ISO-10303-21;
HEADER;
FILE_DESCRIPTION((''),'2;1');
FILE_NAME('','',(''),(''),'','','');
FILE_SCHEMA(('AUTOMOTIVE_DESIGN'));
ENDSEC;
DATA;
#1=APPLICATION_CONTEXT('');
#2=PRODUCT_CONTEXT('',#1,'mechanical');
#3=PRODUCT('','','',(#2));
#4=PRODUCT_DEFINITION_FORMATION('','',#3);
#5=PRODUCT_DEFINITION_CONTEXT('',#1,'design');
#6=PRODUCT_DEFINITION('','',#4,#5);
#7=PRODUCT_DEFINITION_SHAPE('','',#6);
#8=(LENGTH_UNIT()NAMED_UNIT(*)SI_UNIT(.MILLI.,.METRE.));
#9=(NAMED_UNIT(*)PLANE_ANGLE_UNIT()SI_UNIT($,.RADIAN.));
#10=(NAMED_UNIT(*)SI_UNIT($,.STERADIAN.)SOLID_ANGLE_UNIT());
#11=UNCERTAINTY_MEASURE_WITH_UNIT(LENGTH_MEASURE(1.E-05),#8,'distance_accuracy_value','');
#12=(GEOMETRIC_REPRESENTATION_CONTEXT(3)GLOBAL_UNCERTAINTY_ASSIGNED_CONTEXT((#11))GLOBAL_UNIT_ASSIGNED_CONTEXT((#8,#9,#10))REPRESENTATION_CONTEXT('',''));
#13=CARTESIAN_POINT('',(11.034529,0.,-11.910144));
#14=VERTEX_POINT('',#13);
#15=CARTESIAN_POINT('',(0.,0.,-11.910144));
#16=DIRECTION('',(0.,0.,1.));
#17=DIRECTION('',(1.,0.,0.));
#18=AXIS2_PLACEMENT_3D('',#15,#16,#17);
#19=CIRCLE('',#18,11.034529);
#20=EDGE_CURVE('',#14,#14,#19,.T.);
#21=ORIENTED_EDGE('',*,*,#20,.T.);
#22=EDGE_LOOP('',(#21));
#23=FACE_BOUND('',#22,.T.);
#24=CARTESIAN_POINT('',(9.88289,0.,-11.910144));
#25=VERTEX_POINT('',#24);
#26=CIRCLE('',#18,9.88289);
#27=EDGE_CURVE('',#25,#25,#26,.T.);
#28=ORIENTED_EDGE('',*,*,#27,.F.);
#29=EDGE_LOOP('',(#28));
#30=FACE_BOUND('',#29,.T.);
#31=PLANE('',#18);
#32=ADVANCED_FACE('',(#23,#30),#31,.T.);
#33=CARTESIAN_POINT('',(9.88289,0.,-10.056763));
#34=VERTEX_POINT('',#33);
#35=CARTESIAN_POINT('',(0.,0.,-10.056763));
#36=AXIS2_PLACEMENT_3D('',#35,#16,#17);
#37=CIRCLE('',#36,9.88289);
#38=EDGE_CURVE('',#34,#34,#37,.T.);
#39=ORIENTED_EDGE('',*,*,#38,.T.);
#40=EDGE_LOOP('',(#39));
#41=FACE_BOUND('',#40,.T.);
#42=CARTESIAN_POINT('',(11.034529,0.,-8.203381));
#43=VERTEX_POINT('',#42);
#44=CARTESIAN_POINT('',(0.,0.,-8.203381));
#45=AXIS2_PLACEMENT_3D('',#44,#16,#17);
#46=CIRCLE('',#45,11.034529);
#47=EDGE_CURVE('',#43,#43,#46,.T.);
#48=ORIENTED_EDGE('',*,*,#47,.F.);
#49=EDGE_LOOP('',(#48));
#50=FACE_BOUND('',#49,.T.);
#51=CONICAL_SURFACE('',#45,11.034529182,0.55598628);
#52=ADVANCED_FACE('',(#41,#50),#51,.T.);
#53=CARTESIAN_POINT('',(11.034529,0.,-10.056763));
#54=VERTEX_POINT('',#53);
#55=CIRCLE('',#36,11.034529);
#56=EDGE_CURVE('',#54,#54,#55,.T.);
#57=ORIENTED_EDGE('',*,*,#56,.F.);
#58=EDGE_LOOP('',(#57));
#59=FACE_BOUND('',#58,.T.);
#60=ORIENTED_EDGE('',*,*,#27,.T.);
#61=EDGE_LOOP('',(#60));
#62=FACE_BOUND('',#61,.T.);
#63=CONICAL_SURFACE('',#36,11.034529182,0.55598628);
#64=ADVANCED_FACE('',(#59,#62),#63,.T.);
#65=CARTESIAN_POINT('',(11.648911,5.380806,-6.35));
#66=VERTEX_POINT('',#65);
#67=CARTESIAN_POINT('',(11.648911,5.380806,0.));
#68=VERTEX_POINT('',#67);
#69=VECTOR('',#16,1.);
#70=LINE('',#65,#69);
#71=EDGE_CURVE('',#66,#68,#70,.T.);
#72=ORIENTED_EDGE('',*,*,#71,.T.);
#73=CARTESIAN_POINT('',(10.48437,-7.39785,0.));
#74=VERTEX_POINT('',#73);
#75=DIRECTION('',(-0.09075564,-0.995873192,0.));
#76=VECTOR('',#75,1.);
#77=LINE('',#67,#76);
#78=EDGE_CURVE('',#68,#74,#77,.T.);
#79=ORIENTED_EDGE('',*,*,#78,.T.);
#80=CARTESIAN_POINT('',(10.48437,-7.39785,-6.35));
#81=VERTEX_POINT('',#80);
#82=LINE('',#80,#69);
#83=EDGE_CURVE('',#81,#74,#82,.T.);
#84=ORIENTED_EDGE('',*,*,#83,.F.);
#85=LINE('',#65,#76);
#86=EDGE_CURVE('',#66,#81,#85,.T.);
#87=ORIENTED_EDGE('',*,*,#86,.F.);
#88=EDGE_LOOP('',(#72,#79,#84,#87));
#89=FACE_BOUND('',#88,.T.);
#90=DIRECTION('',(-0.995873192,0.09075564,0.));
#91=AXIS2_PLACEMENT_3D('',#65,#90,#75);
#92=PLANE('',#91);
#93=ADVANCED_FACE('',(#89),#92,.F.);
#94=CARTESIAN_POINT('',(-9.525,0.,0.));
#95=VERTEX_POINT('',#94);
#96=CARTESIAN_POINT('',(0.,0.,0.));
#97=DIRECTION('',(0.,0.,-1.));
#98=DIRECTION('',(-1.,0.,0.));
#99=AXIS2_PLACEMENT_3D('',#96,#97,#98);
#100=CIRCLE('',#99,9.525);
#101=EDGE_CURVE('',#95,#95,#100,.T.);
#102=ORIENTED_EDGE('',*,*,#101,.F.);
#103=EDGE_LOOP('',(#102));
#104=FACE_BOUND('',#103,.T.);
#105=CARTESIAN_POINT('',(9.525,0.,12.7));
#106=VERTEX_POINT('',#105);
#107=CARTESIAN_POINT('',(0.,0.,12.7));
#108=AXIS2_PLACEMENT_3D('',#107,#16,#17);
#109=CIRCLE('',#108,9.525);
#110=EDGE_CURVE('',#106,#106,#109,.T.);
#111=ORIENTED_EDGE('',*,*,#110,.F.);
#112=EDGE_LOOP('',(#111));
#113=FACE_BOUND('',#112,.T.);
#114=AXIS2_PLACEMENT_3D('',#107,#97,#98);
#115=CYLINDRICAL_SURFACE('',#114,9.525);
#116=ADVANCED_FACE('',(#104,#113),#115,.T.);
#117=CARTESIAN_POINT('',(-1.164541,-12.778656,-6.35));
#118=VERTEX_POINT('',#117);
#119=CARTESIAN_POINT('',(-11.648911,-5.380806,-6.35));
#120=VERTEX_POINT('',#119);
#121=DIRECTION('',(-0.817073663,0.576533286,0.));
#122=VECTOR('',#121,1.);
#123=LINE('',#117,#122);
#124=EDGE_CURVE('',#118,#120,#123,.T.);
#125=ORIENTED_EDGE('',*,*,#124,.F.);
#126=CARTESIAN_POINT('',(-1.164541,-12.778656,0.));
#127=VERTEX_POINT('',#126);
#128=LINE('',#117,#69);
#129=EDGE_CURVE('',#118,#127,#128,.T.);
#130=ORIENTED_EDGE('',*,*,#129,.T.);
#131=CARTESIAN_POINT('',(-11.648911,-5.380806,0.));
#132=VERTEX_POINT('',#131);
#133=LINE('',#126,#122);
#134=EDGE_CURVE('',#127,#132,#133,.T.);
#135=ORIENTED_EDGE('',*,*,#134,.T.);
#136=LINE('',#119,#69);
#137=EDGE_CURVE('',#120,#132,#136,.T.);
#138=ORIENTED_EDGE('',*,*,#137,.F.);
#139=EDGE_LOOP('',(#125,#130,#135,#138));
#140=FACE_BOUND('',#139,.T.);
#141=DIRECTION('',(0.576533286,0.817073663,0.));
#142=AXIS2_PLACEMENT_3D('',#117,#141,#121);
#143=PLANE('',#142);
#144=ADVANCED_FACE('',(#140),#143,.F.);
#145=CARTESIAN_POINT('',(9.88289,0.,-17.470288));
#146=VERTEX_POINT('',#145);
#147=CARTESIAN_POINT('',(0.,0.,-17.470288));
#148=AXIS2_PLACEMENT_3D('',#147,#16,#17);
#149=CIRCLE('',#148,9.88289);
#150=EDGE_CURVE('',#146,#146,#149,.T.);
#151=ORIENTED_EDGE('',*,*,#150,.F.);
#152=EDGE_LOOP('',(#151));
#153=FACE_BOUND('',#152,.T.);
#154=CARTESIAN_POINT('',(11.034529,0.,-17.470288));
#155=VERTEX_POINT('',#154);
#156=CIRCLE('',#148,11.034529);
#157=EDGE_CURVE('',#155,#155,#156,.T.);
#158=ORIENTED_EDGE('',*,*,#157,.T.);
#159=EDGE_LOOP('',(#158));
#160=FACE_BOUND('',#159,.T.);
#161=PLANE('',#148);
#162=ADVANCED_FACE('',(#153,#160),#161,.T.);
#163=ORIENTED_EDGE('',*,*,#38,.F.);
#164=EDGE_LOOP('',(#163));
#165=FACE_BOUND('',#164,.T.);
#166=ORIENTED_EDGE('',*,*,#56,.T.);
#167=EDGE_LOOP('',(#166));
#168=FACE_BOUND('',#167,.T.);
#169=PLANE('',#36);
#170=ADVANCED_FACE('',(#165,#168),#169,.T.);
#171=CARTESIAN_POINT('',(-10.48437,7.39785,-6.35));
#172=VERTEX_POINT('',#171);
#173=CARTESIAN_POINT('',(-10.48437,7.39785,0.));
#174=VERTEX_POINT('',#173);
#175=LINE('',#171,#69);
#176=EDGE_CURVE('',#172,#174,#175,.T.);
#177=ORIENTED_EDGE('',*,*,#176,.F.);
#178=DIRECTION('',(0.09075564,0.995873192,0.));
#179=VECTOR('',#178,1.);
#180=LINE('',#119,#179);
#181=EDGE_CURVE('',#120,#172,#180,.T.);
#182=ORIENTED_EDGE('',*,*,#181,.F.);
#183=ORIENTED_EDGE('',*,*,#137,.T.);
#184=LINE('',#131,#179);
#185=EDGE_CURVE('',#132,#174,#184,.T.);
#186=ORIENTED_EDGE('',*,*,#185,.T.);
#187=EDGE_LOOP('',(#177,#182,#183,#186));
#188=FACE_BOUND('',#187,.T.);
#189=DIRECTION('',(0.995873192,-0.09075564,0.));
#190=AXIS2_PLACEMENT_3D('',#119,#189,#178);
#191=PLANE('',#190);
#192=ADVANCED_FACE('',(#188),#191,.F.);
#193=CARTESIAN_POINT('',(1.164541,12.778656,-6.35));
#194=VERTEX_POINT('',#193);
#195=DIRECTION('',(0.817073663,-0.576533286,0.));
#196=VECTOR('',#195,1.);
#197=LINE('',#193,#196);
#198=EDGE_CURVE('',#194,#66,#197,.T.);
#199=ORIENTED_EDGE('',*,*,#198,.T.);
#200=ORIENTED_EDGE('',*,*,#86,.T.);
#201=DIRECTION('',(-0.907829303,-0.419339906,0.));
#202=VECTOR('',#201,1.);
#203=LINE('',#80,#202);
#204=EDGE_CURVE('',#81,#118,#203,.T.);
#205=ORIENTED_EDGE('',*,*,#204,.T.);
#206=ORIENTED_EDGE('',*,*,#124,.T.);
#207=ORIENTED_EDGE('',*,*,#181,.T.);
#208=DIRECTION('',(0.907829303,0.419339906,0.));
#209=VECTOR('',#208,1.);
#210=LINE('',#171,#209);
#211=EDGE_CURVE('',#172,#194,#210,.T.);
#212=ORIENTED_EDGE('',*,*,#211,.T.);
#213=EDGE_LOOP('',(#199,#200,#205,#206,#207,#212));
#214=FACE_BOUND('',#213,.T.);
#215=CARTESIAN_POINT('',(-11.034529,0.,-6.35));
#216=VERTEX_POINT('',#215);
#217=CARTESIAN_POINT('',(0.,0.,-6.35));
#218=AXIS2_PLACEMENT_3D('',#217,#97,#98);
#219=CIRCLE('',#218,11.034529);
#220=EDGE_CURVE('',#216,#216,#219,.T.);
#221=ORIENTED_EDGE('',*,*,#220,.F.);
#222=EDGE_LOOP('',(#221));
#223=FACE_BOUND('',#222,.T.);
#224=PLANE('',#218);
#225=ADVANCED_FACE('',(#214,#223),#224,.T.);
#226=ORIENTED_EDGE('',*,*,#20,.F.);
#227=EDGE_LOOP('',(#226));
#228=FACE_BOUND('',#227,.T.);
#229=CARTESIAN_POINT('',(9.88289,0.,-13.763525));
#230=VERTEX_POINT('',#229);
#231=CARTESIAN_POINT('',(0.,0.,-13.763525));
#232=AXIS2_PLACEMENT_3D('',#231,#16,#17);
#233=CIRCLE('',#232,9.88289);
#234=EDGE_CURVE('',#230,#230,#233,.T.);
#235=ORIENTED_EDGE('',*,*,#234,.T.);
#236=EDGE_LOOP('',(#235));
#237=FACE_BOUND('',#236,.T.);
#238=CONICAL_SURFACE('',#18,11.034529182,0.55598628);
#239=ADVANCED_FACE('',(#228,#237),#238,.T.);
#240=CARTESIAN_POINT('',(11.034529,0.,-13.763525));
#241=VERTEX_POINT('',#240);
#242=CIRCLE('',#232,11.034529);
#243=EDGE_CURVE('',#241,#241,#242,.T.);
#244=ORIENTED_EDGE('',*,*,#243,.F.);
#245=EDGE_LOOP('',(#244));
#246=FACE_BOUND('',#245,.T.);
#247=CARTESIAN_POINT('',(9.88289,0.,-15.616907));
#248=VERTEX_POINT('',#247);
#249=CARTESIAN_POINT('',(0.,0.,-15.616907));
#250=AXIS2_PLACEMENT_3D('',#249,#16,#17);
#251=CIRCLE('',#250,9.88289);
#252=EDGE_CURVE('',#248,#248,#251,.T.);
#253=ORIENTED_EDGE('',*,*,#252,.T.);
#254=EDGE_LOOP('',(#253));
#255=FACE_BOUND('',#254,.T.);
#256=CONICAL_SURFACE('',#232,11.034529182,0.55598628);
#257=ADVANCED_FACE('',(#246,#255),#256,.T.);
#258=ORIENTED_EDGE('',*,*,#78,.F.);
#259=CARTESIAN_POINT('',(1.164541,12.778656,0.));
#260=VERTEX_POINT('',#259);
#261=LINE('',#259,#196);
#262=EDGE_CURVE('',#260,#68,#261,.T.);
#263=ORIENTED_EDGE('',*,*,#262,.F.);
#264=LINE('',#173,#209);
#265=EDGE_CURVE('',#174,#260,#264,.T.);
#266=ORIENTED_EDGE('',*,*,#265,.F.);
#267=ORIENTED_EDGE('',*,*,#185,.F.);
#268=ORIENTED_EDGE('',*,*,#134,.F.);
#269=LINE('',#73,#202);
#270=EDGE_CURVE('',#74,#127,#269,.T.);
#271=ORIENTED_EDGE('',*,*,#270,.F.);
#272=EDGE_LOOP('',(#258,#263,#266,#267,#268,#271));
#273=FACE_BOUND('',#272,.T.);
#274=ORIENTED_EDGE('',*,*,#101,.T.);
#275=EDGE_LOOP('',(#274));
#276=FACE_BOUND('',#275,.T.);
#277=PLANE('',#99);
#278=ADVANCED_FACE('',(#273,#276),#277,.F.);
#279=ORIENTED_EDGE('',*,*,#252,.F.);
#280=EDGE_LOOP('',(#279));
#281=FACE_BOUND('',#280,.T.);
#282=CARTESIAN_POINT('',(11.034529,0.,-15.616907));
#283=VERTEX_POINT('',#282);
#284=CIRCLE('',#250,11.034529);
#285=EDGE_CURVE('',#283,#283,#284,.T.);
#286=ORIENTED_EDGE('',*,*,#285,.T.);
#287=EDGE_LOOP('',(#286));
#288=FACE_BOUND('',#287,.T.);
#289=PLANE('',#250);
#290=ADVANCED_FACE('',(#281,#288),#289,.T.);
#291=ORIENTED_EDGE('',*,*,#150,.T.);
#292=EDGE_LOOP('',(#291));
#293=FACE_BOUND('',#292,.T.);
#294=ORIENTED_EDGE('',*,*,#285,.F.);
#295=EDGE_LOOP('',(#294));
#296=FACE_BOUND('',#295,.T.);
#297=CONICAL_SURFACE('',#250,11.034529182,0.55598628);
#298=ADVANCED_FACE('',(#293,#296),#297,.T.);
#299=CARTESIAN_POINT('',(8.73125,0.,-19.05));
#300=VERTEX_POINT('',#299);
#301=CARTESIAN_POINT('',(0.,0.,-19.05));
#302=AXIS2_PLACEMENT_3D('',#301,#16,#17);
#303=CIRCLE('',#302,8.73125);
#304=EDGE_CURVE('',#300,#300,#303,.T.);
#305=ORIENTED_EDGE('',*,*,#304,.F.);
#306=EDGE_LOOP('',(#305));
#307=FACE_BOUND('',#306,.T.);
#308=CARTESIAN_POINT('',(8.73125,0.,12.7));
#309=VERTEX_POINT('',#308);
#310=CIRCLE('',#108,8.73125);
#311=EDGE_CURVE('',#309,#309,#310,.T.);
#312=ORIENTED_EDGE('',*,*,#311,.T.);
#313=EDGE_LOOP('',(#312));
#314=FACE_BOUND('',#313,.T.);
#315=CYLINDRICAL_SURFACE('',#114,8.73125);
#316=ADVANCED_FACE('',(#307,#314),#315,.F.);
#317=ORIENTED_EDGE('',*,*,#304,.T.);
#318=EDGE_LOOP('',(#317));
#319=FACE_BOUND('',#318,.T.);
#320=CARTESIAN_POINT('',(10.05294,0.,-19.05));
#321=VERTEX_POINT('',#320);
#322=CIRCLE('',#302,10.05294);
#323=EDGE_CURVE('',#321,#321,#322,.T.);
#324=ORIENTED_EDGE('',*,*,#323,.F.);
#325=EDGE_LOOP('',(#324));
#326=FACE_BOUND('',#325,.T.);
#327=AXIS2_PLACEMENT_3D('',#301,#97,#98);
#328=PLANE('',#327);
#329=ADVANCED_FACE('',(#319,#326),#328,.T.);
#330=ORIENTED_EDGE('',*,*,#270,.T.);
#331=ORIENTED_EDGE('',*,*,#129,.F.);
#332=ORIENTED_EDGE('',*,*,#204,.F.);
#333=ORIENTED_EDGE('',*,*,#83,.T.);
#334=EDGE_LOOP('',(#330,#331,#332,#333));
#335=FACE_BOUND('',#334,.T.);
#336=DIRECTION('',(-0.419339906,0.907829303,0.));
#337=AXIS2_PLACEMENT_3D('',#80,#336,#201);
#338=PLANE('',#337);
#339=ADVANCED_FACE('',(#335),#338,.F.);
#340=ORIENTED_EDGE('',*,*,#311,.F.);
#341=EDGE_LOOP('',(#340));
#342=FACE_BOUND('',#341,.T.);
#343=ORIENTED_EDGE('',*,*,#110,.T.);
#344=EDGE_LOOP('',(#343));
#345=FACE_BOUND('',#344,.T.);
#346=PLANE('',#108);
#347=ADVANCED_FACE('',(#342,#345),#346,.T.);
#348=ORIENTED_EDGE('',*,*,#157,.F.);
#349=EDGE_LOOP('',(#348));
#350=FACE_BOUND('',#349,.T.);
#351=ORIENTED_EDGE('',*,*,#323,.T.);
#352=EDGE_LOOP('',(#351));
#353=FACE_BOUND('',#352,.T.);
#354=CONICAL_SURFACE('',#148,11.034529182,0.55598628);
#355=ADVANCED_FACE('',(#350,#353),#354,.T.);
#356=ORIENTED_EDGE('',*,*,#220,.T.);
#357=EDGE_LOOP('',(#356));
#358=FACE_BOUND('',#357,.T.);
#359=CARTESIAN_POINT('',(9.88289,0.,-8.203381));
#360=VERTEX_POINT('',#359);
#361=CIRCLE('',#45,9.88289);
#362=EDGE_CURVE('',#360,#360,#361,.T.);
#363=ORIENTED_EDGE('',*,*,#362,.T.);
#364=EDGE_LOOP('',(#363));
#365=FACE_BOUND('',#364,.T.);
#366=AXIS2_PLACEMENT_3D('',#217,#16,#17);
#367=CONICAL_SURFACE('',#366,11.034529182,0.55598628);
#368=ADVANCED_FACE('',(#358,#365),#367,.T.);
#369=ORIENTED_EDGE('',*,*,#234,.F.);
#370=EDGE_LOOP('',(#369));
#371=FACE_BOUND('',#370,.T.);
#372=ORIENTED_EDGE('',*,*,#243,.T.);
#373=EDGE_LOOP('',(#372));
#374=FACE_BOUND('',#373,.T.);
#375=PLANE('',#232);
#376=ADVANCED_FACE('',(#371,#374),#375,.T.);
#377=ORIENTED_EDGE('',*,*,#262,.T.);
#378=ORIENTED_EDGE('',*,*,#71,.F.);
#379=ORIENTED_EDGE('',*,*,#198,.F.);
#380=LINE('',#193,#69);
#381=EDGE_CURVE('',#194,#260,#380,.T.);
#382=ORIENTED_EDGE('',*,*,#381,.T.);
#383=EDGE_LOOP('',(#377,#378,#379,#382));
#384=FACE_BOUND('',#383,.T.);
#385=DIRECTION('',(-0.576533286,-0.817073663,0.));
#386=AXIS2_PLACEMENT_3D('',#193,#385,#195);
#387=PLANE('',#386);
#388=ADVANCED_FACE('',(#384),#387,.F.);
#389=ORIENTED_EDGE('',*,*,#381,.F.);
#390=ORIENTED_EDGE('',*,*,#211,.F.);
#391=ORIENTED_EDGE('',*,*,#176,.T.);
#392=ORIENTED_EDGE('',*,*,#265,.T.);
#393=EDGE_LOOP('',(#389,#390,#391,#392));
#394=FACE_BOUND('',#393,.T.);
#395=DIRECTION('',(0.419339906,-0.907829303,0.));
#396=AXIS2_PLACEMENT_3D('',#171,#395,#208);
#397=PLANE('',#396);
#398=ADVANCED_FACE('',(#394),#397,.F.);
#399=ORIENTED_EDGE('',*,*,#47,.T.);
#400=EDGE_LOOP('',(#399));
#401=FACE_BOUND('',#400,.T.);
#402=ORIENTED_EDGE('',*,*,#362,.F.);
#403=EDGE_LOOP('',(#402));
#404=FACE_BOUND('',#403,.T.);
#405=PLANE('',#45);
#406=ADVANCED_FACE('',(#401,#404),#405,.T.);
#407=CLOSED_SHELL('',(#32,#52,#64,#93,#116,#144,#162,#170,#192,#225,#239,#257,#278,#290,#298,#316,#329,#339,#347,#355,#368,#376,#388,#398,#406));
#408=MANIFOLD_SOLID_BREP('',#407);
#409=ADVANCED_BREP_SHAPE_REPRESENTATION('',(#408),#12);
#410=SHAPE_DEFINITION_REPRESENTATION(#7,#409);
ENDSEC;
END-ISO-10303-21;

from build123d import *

# Parameters (mm, degrees)
SKETCH1_R           = 9.525
SKETCH1_R_2         = 8.73125
BOSS_EXTRUDE1_DEPTH = 12.7
BOSS_EXTRUDE2_DEPTH = 6.35
SKETCH4_R           = 8.73125
CUT_EXTRUDE1_DEPTH  = 37.153197474


with BuildPart() as part:
    # Sketch1 → Boss-Extrude1 (new body)
    with BuildSketch(Plane.XY):
        Circle(SKETCH1_R)
        Circle(SKETCH1_R_2, mode=Mode.SUBTRACT)
    extrude(amount=BOSS_EXTRUDE1_DEPTH)

    # Sketch2 → Boss-Extrude2 (add)
    with BuildSketch(Plane(origin=(0, 0, 0), x_dir=(-1, 0, 0), z_dir=(0, 0, -1))):
        Polygon((-10.484370366, -7.397850118), (1.164540953, -12.778656138), (11.648911318, -5.38080602), (10.484370366, 7.397850118), (-1.164540953, 12.778656138), (-11.648911318, 5.38080602), align=None)
    extrude(amount=BOSS_EXTRUDE2_DEPTH)

    # Sketch3 → Revolve1 (revolve)
    with BuildSketch(Plane(origin=(0, 0, 0), x_dir=(0, 0, -1), z_dir=(1, 0, 0)), mode=Mode.PRIVATE) as revolve1_sk:
        Polygon((6.35, 8.73125), (19.05, 8.73125), (19.05, 10.05294024), (17.470288197, 11.034529182), (17.470288197, 9.882889591), (15.616906831, 11.034529182), (15.616906831, 9.882889591), (13.763525465, 11.034529182), (13.763525465, 9.882889591), (11.910144098, 11.034529182), (11.910144098, 9.882889591), (10.056762732, 11.034529182), (10.056762732, 9.882889591), (8.203381366, 11.034529182), (8.203381366, 9.882889591), (6.35, 11.034529182), align=None)
    revolve(revolve1_sk.sketch.rotate(Axis((0, 0, 0), (0, 0, -1)), 90), axis=Axis((0, 0, 0), (0, 0, -1)))

    # Sketch4 → Cut-Extrude1 (cut, through all)
    with BuildSketch(Plane.XY.offset(12.7)):
        Circle(SKETCH4_R)
    extrude(amount=-CUT_EXTRUDE1_DEPTH, mode=Mode.SUBTRACT)


solid = part.part
